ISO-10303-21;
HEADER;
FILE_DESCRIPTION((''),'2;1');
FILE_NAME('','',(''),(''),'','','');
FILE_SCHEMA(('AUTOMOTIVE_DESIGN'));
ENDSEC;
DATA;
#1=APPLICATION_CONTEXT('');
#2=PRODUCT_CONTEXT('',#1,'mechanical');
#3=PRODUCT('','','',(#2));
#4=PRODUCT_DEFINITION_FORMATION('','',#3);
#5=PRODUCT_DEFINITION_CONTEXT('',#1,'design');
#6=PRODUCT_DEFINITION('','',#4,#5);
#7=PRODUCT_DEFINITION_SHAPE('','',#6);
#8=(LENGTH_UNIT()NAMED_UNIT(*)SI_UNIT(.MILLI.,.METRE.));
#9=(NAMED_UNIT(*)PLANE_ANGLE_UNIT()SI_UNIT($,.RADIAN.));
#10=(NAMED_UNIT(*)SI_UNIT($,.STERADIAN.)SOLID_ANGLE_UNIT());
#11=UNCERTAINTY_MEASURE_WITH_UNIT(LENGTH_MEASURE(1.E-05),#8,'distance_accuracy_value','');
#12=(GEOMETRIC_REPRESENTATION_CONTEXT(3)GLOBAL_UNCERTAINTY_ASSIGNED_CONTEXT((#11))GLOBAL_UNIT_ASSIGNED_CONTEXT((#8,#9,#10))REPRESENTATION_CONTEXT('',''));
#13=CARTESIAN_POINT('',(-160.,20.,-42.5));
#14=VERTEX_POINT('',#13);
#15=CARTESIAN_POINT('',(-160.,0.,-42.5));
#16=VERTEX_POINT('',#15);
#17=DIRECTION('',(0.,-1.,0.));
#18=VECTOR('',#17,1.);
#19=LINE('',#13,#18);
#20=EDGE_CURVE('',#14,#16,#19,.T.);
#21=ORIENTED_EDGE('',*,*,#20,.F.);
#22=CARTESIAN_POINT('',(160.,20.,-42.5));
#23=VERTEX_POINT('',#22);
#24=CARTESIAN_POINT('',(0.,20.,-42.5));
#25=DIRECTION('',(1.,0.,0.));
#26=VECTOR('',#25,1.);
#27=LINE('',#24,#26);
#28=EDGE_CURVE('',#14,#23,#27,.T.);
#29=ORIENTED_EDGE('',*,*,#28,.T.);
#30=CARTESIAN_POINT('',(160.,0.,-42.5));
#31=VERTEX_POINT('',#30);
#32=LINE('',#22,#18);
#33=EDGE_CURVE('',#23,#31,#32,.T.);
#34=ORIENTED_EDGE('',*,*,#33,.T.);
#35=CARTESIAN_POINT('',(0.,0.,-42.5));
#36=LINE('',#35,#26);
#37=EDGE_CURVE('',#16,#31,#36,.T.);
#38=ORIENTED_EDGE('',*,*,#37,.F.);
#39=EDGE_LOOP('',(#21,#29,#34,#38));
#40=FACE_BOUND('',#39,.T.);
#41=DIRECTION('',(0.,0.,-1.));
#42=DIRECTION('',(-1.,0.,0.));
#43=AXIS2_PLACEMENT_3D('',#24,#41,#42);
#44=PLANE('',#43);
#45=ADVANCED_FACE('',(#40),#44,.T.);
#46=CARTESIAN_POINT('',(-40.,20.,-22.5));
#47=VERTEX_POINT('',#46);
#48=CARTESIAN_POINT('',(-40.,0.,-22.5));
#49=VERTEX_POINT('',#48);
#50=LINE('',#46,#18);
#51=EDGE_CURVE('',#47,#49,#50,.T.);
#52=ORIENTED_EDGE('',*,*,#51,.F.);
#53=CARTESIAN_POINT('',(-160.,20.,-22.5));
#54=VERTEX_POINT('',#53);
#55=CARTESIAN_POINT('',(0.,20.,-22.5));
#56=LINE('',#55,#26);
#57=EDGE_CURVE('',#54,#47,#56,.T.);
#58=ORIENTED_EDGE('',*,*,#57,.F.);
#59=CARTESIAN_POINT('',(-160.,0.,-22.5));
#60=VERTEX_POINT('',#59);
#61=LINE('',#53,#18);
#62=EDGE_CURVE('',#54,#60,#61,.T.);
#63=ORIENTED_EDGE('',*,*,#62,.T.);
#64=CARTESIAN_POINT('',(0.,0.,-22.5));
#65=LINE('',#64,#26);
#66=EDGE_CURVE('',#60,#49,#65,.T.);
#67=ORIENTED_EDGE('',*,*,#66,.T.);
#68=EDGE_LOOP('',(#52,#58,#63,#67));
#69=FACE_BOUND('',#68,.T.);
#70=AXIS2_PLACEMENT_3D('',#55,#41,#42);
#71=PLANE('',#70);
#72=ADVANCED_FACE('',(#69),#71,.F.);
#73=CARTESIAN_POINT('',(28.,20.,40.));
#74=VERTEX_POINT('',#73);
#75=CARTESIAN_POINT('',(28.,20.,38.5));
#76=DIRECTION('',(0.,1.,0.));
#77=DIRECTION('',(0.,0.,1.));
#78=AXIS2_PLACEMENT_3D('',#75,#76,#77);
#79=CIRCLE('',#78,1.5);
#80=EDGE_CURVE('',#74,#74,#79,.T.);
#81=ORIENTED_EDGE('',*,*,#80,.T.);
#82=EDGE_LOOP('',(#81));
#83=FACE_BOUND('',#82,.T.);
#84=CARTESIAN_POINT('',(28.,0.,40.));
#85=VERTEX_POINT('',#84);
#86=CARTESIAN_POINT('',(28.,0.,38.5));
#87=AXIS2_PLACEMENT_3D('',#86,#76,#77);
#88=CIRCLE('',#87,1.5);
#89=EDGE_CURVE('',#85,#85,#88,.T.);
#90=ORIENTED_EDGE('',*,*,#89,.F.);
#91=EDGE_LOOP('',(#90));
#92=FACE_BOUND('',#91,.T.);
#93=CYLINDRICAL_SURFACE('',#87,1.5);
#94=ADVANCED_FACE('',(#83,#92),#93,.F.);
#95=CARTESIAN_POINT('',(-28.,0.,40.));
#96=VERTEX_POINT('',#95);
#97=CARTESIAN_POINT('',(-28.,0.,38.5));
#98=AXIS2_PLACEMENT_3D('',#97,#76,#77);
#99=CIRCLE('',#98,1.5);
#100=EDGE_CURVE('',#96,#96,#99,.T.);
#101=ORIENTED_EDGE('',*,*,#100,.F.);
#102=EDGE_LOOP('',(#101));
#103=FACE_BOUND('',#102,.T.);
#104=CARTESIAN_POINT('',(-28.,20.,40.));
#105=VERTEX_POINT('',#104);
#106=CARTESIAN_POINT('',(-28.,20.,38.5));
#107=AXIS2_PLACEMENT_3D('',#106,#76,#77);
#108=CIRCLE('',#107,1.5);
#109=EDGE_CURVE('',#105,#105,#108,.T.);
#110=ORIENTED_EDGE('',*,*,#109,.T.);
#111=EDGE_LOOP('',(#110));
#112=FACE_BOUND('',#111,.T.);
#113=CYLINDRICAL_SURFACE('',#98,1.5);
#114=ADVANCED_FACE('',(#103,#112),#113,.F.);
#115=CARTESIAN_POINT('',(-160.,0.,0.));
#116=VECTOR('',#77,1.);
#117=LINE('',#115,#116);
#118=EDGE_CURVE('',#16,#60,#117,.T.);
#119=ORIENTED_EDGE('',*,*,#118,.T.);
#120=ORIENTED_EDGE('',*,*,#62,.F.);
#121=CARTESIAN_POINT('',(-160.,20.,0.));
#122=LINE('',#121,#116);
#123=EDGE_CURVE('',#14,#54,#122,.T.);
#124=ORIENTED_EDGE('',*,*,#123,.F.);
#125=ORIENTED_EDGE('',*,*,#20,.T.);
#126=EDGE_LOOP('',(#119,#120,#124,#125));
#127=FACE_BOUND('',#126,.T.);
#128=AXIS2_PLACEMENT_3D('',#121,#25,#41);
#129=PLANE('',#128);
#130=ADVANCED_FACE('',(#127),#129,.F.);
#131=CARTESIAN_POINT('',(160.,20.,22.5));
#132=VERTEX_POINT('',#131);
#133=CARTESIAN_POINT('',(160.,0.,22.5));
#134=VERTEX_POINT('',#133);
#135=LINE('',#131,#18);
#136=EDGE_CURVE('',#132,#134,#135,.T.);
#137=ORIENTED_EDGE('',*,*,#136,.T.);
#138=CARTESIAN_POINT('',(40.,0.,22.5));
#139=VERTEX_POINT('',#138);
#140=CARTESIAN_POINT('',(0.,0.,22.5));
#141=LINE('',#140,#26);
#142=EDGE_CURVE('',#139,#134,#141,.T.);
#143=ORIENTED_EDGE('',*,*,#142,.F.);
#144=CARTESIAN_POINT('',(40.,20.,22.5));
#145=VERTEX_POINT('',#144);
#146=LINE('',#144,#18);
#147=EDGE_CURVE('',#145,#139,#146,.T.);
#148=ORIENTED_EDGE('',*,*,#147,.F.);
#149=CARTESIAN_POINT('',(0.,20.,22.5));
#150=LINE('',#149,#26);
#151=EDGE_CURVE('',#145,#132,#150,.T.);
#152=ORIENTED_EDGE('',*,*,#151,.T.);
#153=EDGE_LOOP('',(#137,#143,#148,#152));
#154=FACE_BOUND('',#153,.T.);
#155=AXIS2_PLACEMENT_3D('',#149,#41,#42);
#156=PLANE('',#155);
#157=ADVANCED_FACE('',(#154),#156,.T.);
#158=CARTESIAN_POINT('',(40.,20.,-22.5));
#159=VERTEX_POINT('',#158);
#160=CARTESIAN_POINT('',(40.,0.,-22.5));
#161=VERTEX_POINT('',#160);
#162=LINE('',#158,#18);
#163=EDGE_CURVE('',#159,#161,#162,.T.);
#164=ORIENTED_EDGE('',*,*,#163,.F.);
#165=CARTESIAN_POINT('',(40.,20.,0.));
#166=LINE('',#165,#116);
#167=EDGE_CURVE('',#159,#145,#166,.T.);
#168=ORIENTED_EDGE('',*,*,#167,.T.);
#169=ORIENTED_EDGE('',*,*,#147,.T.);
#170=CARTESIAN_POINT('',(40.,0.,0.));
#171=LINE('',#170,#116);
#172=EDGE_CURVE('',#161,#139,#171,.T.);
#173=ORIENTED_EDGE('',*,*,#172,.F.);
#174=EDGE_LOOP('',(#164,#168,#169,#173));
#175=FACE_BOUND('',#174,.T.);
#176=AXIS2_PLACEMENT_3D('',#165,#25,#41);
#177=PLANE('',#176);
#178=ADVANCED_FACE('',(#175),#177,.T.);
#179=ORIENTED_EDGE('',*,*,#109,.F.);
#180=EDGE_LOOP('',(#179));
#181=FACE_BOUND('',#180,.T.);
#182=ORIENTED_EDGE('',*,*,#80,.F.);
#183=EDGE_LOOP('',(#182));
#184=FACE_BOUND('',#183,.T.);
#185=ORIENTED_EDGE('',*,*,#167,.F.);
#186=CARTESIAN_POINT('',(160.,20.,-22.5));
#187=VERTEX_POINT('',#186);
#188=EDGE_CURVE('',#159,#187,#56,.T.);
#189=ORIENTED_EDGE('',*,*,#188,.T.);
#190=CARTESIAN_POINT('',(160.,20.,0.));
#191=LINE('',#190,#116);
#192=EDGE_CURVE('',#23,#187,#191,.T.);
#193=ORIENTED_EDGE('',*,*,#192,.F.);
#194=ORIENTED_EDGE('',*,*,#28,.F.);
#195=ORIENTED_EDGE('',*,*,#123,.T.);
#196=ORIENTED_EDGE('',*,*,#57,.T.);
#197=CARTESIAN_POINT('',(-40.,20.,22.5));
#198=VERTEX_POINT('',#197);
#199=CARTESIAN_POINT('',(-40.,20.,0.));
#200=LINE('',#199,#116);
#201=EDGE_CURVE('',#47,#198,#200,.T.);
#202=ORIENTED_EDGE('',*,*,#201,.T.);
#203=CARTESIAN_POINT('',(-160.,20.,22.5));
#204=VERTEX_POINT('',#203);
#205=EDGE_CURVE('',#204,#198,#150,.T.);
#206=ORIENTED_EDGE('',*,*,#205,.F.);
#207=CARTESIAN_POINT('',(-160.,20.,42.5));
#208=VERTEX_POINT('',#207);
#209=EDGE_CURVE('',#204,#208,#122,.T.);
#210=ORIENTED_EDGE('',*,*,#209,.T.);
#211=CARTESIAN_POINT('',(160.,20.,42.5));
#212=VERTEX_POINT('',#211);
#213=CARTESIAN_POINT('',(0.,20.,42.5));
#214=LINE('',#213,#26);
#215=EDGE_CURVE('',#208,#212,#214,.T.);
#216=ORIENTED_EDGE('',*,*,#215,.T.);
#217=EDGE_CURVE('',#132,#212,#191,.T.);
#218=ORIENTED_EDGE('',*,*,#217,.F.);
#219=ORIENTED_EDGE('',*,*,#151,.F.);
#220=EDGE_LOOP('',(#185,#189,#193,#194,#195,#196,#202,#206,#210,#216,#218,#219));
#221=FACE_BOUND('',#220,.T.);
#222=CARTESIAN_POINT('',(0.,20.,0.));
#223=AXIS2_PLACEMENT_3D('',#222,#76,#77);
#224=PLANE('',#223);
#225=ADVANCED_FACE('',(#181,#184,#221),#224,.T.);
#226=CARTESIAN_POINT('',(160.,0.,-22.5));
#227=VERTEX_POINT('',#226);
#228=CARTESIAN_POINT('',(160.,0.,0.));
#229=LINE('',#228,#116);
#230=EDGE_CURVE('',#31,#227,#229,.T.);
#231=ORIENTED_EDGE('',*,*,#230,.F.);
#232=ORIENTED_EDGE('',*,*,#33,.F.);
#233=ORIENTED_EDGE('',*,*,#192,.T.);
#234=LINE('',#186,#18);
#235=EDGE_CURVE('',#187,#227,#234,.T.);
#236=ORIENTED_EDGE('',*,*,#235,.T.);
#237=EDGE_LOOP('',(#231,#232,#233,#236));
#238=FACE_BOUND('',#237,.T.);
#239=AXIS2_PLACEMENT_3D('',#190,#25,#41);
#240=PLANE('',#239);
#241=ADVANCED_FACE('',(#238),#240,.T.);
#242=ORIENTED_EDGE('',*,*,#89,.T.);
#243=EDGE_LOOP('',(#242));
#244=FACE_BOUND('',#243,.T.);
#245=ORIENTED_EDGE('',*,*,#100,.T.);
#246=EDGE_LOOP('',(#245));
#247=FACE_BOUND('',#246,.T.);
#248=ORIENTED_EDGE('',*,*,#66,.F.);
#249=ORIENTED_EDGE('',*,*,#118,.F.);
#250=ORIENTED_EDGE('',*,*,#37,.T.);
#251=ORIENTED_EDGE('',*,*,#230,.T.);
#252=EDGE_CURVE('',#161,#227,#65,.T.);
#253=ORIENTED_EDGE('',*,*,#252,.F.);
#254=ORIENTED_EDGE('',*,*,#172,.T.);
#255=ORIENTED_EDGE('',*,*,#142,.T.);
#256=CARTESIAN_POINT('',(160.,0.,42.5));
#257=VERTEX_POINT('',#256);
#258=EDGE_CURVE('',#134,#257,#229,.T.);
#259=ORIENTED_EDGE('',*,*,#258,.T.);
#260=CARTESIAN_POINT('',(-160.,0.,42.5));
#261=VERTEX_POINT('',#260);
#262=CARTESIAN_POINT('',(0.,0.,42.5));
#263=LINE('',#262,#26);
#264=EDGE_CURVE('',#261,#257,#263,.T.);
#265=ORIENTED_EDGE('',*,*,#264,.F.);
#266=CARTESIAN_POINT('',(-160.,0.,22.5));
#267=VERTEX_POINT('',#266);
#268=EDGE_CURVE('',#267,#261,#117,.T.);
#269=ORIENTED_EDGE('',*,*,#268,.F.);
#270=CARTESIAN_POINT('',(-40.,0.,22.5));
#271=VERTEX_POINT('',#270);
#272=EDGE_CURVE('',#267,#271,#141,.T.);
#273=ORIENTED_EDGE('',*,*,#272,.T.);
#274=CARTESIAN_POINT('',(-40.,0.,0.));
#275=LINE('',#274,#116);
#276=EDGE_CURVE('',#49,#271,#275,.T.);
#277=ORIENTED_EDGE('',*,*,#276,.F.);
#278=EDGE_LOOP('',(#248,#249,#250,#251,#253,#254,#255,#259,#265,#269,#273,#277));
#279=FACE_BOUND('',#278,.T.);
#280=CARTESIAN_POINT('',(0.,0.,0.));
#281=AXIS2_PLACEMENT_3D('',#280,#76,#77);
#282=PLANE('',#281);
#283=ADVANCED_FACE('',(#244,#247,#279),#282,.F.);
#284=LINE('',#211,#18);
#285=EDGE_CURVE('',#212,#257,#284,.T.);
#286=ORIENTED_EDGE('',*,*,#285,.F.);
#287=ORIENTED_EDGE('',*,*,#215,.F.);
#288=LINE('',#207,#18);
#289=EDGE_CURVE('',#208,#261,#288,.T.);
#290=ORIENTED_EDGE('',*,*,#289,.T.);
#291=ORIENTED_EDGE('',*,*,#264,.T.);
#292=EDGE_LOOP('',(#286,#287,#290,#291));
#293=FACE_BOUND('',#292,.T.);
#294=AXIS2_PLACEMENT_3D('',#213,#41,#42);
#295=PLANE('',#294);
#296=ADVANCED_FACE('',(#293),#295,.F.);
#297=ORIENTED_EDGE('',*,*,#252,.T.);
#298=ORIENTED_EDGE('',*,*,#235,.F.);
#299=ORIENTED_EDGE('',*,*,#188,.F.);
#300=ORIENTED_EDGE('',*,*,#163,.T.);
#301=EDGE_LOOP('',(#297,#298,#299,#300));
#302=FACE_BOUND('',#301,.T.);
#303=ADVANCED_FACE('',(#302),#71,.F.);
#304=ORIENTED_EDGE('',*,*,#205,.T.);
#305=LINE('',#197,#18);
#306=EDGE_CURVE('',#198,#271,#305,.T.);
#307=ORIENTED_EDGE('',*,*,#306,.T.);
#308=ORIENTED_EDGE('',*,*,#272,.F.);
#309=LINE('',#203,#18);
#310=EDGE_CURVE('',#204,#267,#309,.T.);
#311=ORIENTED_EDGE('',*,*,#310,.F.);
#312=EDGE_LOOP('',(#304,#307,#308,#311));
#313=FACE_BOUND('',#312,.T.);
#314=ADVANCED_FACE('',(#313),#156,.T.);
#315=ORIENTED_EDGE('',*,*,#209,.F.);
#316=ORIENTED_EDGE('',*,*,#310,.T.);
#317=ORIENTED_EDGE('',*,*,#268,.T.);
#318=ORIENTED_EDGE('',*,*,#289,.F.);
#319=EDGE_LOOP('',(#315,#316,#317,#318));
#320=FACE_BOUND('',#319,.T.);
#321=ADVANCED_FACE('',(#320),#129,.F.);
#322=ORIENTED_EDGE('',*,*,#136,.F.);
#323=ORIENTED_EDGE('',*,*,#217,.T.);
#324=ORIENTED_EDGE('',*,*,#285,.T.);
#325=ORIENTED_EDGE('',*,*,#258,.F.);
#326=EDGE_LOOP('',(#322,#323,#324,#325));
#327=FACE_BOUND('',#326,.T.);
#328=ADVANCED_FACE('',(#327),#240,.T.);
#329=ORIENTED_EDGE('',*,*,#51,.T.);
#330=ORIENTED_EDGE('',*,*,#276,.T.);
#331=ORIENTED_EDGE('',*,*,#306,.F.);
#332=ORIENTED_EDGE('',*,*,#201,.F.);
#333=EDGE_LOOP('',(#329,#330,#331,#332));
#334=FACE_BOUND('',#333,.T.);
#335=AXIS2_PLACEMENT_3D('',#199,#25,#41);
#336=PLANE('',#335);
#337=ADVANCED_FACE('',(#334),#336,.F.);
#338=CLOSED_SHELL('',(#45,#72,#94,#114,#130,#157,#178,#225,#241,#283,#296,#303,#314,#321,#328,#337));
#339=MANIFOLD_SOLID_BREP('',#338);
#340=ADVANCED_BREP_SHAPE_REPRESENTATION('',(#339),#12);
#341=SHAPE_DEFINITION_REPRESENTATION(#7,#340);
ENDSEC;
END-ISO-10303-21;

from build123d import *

# Parameters (mm, degrees)
SKETCH1_W           = 80
SKETCH1_H           = 45
BOSS_EXTRUDE2_DEPTH = 20
SKETCH3_R           = 1.5
CUT_EXTRUDE7_DEPTH  = 20


with BuildPart() as part:
    # Sketch1 → Boss-Extrude2 (new body)
    with BuildSketch(Plane(origin=(0, 0, 0), x_dir=(1, 0, 0), z_dir=(0, 1, 0))):
        Polygon((-40, -22.5), (-160, -22.5), (-160, -42.5), (160, -42.5), (160, -22.5), (40, -22.5), align=None)
        Rectangle(SKETCH1_W, SKETCH1_H)
        Polygon((160, 42.5), (-160, 42.5), (-160, 22.5), (-40, 22.5), (40, 22.5), (160, 22.5), align=None)
    extrude(amount=BOSS_EXTRUDE2_DEPTH)

    # Sketch3 → Cut-Extrude7 (cut)
    with BuildSketch(Plane(origin=(0, 20, 0), x_dir=(1, 0, 0), z_dir=(0, 1, 0))):
        with Locations(Location((-28, -38.5, 0), (0, 0, 270))):
            Circle(SKETCH3_R)
        with Locations(Location((28, -38.5, 0), (0, 0, 270))):
            Circle(SKETCH3_R)
    extrude(amount=-CUT_EXTRUDE7_DEPTH, mode=Mode.SUBTRACT)


solid = part.part
